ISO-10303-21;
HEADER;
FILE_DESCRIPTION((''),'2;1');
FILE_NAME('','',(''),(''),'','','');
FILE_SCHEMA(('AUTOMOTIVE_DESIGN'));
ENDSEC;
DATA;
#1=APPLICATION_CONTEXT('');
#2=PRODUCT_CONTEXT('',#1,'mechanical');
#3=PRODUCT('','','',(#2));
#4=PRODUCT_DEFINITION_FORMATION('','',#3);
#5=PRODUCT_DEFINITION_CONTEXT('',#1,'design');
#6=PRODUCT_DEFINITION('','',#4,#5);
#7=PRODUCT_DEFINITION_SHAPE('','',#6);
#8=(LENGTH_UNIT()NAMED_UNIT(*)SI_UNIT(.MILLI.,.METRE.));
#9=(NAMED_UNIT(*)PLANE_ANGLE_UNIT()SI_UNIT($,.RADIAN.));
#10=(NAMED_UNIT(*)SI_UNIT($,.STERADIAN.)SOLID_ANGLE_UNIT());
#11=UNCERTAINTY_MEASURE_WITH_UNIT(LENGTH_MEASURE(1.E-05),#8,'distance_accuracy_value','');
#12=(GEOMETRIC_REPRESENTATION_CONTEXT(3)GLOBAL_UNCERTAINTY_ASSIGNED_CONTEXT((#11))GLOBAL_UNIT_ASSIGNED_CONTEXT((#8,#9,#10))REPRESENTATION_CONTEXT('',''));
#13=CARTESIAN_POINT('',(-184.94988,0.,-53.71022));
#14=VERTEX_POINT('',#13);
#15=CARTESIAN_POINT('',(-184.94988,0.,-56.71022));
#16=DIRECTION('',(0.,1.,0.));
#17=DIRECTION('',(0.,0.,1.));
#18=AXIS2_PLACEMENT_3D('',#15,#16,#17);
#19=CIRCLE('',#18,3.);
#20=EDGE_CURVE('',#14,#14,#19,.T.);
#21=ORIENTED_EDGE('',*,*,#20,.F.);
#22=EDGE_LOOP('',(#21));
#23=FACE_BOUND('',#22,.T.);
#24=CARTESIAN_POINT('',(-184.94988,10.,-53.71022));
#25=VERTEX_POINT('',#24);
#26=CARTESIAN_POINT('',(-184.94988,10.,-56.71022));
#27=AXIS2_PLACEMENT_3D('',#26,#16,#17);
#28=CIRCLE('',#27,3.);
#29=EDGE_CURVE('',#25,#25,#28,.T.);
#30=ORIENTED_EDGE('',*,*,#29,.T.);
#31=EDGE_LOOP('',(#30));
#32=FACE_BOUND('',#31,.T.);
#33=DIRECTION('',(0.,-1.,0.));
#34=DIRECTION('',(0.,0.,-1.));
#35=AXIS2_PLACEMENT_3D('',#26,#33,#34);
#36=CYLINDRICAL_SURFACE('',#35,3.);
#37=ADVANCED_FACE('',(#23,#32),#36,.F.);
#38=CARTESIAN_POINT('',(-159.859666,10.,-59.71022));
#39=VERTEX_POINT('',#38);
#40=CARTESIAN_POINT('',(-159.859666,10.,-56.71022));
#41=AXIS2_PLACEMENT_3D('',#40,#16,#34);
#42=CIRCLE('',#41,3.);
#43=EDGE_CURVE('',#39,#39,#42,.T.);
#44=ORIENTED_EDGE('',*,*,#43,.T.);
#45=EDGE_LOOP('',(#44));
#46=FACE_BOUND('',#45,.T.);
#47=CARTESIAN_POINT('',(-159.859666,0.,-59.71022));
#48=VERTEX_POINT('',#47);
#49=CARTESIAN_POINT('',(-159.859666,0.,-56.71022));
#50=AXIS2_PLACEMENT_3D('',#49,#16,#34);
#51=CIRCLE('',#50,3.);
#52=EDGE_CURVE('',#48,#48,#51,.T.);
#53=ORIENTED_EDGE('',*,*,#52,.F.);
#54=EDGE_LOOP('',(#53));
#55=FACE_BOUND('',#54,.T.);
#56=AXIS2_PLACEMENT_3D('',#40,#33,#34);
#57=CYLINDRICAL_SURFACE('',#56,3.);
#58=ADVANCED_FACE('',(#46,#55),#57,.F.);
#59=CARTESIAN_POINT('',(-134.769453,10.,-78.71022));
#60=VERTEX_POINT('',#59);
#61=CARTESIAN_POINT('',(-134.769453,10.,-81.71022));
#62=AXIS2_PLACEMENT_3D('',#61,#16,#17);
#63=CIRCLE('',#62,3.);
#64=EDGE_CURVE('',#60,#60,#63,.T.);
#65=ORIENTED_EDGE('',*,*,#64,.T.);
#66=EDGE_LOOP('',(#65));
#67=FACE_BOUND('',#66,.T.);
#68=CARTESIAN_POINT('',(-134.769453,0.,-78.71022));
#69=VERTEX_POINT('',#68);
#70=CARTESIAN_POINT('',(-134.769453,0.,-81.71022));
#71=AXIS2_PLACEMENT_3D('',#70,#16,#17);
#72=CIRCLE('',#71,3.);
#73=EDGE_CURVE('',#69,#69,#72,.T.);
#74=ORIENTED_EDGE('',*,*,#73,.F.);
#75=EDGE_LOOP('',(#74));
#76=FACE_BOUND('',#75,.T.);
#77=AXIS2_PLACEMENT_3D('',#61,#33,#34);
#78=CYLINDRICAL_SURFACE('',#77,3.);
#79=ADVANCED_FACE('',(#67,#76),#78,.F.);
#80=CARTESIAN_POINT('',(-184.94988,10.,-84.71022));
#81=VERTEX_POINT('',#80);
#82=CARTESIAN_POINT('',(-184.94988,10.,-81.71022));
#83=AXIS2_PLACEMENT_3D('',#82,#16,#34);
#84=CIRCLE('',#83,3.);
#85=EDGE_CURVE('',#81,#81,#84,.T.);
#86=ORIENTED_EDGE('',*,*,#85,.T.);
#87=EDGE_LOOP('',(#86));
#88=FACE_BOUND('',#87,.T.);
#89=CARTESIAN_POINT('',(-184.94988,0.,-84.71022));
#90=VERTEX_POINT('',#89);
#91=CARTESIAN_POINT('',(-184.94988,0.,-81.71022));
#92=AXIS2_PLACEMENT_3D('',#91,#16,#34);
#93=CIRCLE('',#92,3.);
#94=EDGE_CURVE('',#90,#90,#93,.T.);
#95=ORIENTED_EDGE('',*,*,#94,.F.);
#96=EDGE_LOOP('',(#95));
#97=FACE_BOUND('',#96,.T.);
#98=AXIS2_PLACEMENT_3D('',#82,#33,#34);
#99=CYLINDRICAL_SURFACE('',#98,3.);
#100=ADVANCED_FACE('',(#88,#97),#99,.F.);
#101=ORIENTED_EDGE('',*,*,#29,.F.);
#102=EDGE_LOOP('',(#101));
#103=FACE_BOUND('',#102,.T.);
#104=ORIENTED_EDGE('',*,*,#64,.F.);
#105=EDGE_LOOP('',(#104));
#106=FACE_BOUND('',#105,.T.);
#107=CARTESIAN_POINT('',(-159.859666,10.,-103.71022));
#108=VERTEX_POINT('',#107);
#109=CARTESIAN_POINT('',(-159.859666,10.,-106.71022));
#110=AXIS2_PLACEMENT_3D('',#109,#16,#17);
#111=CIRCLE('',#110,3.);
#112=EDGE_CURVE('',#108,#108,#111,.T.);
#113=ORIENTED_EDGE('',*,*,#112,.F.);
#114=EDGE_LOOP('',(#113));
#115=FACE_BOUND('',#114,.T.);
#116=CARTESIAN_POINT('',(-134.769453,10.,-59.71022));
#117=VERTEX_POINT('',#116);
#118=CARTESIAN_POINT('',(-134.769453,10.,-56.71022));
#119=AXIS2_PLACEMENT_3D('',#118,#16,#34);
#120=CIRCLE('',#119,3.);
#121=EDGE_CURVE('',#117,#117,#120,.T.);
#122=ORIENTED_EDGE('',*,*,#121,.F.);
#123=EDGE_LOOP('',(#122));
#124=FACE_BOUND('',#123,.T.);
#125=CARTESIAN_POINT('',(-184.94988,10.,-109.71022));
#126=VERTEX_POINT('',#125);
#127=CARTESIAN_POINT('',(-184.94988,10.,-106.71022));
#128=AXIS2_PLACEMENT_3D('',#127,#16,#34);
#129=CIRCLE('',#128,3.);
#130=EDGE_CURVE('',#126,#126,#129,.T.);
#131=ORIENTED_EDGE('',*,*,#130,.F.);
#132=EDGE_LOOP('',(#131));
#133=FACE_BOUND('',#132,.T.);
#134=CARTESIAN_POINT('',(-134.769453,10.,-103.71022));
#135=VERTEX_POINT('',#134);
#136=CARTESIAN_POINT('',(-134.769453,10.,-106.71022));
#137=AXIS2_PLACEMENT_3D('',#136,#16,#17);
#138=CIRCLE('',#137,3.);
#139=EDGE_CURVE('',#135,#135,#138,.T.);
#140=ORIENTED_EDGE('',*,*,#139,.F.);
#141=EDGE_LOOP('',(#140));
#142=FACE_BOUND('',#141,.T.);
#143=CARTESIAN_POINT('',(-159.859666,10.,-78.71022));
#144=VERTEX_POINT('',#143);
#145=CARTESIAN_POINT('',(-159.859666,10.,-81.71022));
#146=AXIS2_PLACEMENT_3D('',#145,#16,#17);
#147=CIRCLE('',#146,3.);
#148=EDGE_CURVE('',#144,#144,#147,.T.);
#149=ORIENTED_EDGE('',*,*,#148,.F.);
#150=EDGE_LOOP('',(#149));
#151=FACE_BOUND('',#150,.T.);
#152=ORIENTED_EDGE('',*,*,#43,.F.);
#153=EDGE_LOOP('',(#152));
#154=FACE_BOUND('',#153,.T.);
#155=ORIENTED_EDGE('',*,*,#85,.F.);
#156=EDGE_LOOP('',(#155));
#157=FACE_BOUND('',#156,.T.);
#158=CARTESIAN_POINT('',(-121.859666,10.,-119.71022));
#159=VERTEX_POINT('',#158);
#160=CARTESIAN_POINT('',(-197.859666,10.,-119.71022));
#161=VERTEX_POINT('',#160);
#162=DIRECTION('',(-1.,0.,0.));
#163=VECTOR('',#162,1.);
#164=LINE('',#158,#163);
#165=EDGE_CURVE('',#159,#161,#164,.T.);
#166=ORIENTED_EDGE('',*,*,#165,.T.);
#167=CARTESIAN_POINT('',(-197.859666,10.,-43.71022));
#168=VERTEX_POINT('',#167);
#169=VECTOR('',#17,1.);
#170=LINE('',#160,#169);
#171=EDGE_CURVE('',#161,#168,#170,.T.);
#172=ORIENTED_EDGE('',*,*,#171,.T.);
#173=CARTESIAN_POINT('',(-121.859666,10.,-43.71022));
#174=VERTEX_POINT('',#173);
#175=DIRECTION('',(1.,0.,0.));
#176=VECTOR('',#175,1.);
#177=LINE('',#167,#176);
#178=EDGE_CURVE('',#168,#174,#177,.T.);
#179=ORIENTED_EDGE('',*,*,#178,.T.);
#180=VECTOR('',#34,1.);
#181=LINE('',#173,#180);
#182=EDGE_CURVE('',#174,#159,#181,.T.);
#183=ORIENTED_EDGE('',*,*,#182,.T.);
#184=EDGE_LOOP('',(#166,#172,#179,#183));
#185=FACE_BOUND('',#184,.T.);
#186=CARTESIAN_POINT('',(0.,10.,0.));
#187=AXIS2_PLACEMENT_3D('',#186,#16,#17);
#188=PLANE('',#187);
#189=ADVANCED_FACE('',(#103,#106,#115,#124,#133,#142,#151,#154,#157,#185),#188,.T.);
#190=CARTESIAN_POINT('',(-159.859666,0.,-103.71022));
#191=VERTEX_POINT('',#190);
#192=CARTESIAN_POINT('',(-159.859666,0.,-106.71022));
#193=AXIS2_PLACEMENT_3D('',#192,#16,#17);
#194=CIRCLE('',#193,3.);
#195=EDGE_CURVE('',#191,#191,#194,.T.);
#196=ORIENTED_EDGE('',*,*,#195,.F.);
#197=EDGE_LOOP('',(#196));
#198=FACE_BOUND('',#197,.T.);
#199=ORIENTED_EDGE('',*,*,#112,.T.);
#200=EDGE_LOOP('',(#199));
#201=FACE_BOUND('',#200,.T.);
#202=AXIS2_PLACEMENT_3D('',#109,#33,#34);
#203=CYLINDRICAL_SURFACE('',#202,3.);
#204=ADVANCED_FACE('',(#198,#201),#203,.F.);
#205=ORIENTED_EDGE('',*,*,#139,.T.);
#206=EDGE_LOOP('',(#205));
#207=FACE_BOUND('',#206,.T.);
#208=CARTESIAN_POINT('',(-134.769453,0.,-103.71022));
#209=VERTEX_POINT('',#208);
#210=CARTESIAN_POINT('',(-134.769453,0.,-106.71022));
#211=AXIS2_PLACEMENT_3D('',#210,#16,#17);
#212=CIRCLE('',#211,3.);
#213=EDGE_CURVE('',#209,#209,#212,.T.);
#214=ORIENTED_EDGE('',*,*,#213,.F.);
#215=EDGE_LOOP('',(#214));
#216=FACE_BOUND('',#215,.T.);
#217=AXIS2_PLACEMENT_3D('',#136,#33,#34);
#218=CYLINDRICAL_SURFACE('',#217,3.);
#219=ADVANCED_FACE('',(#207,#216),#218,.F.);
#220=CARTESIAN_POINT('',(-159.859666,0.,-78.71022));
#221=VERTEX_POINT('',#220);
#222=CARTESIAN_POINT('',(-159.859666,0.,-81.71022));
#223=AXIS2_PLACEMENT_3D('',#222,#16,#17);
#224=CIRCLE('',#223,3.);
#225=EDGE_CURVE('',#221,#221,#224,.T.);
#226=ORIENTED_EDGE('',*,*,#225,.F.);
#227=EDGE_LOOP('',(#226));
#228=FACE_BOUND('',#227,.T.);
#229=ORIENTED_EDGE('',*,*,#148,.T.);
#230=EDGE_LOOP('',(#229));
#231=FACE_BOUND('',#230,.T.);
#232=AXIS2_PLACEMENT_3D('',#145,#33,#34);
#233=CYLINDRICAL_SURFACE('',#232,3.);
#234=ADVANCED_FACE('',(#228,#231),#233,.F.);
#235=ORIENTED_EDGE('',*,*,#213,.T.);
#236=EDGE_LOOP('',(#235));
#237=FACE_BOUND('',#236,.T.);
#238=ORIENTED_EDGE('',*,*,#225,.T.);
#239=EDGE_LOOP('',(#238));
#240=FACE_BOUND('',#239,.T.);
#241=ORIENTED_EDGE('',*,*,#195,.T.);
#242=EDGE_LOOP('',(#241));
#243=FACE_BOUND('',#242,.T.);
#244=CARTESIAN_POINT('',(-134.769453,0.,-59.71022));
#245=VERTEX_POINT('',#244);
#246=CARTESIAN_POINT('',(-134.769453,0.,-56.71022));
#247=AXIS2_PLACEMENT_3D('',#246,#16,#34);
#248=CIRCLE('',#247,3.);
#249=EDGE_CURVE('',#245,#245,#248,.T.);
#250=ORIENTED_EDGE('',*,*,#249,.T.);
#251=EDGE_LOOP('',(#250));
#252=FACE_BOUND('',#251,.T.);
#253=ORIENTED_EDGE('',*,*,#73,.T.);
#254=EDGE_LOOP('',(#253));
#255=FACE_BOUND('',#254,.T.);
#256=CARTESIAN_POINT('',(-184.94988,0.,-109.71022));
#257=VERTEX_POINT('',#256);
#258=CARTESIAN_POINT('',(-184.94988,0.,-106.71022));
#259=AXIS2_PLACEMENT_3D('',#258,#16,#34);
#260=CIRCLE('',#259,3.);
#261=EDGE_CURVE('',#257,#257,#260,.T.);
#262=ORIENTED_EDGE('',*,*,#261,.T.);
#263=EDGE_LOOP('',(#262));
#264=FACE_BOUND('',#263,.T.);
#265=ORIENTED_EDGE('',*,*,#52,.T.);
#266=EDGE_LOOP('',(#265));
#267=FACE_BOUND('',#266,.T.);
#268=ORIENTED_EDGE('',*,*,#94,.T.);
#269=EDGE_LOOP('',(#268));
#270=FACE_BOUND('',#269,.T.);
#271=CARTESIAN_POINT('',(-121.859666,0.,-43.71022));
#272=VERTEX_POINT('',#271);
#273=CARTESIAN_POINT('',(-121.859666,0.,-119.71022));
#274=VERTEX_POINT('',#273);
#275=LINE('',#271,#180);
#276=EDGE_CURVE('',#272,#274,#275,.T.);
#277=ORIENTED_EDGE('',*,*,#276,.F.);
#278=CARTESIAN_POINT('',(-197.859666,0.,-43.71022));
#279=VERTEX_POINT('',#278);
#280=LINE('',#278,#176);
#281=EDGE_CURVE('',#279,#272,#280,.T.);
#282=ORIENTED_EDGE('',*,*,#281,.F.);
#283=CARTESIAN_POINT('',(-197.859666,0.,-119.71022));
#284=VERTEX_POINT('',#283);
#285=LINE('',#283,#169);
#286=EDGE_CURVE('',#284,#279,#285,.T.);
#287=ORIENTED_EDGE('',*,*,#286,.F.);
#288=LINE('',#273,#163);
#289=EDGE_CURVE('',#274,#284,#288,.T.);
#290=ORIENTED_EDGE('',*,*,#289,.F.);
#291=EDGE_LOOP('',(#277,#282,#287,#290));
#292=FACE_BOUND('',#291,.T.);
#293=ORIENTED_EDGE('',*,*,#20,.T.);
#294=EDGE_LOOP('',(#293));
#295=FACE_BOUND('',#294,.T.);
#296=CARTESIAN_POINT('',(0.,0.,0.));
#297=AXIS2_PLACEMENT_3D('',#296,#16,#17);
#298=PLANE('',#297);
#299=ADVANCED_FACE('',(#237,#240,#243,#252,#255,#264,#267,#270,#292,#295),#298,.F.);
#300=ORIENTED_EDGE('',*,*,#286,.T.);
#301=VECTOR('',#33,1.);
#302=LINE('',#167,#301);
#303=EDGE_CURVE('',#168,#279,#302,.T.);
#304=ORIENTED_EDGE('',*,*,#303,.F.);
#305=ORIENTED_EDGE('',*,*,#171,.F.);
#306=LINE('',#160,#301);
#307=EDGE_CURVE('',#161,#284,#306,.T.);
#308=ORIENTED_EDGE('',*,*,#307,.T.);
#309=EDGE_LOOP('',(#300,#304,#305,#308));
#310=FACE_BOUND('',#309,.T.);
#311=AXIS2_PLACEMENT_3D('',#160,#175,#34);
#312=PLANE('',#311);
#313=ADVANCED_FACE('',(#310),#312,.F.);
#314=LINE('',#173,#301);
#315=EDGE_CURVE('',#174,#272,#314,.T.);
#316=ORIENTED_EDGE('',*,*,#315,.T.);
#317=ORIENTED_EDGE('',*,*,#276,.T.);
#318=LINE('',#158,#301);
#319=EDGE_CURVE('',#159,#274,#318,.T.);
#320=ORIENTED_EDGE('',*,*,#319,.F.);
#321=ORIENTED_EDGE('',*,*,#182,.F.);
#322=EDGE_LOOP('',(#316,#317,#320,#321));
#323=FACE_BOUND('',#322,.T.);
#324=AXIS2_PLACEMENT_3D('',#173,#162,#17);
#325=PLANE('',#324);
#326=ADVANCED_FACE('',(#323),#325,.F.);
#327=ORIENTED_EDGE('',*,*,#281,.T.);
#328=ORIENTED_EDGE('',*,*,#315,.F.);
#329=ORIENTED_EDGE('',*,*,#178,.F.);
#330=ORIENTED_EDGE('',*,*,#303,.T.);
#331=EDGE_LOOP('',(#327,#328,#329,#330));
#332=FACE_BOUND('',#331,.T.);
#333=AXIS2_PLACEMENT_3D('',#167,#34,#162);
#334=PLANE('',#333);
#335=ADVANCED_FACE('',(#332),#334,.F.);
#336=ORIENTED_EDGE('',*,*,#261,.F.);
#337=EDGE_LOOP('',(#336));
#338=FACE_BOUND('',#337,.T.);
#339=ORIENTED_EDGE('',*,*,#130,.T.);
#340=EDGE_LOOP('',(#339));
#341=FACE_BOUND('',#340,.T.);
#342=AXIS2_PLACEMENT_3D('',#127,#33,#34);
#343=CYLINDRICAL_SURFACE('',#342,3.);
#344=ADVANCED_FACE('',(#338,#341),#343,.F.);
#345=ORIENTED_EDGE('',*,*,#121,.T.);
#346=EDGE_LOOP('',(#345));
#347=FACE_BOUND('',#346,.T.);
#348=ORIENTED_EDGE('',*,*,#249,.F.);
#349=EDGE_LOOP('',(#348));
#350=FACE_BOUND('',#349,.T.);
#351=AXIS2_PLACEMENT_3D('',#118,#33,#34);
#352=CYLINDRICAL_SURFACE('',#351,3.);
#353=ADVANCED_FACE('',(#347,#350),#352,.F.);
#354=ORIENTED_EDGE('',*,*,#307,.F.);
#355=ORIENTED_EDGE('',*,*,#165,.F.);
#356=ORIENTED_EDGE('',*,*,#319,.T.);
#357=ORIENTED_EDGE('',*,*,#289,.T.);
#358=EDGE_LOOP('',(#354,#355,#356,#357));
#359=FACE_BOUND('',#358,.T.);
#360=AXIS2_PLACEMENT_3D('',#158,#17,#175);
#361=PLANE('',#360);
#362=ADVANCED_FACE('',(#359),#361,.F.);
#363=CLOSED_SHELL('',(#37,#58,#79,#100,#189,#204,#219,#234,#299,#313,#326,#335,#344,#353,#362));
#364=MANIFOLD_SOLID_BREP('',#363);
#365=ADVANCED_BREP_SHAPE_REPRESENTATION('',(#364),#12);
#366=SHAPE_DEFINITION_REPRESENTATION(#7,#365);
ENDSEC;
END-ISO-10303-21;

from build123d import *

# Parameters (mm, degrees)
SKETCH1_W           = 76
SKETCH1_H           = 76
SKETCH1_R           = 3
BOSS_EXTRUDE1_DEPTH = 10


with BuildPart() as part:
    # Sketch1 → Boss-Extrude1 (new body)
    with BuildSketch(Plane(origin=(0, 0, 0), x_dir=(1, 0, 0), z_dir=(0, 1, 0))):
        with Locations((-159.8596663, 81.710219679)):
            Rectangle(SKETCH1_W, SKETCH1_H)
        with Locations(Location((-159.8596663, 81.710219679, 0), (0, 0, 270))):
            Circle(SKETCH1_R, mode=Mode.SUBTRACT)
        with Locations(Location((-134.769453056, 81.710219679, 0), (0, 0, 270))):
            Circle(SKETCH1_R, mode=Mode.SUBTRACT)
        with Locations(Location((-184.949879544, 81.710219679, 0), (0, 0, 90))):
            Circle(SKETCH1_R, mode=Mode.SUBTRACT)
        with Locations(Location((-184.949879544, 106.710219679, 0), (0, 0, 90))):
            Circle(SKETCH1_R, mode=Mode.SUBTRACT)
        with Locations(Location((-159.8596663, 106.710219679, 0), (0, 0, 270))):
            Circle(SKETCH1_R, mode=Mode.SUBTRACT)
        with Locations(Location((-134.769453056, 106.710219679, 0), (0, 0, 270))):
            Circle(SKETCH1_R, mode=Mode.SUBTRACT)
        with Locations(Location((-134.769453056, 56.710219679, 0), (0, 0, 90))):
            Circle(SKETCH1_R, mode=Mode.SUBTRACT)
        with Locations(Location((-159.8596663, 56.710219679, 0), (0, 0, 90))):
            Circle(SKETCH1_R, mode=Mode.SUBTRACT)
        with Locations(Location((-184.949879544, 56.710219679, 0), (0, 0, 270))):
            Circle(SKETCH1_R, mode=Mode.SUBTRACT)
    extrude(amount=BOSS_EXTRUDE1_DEPTH)


solid = part.part
